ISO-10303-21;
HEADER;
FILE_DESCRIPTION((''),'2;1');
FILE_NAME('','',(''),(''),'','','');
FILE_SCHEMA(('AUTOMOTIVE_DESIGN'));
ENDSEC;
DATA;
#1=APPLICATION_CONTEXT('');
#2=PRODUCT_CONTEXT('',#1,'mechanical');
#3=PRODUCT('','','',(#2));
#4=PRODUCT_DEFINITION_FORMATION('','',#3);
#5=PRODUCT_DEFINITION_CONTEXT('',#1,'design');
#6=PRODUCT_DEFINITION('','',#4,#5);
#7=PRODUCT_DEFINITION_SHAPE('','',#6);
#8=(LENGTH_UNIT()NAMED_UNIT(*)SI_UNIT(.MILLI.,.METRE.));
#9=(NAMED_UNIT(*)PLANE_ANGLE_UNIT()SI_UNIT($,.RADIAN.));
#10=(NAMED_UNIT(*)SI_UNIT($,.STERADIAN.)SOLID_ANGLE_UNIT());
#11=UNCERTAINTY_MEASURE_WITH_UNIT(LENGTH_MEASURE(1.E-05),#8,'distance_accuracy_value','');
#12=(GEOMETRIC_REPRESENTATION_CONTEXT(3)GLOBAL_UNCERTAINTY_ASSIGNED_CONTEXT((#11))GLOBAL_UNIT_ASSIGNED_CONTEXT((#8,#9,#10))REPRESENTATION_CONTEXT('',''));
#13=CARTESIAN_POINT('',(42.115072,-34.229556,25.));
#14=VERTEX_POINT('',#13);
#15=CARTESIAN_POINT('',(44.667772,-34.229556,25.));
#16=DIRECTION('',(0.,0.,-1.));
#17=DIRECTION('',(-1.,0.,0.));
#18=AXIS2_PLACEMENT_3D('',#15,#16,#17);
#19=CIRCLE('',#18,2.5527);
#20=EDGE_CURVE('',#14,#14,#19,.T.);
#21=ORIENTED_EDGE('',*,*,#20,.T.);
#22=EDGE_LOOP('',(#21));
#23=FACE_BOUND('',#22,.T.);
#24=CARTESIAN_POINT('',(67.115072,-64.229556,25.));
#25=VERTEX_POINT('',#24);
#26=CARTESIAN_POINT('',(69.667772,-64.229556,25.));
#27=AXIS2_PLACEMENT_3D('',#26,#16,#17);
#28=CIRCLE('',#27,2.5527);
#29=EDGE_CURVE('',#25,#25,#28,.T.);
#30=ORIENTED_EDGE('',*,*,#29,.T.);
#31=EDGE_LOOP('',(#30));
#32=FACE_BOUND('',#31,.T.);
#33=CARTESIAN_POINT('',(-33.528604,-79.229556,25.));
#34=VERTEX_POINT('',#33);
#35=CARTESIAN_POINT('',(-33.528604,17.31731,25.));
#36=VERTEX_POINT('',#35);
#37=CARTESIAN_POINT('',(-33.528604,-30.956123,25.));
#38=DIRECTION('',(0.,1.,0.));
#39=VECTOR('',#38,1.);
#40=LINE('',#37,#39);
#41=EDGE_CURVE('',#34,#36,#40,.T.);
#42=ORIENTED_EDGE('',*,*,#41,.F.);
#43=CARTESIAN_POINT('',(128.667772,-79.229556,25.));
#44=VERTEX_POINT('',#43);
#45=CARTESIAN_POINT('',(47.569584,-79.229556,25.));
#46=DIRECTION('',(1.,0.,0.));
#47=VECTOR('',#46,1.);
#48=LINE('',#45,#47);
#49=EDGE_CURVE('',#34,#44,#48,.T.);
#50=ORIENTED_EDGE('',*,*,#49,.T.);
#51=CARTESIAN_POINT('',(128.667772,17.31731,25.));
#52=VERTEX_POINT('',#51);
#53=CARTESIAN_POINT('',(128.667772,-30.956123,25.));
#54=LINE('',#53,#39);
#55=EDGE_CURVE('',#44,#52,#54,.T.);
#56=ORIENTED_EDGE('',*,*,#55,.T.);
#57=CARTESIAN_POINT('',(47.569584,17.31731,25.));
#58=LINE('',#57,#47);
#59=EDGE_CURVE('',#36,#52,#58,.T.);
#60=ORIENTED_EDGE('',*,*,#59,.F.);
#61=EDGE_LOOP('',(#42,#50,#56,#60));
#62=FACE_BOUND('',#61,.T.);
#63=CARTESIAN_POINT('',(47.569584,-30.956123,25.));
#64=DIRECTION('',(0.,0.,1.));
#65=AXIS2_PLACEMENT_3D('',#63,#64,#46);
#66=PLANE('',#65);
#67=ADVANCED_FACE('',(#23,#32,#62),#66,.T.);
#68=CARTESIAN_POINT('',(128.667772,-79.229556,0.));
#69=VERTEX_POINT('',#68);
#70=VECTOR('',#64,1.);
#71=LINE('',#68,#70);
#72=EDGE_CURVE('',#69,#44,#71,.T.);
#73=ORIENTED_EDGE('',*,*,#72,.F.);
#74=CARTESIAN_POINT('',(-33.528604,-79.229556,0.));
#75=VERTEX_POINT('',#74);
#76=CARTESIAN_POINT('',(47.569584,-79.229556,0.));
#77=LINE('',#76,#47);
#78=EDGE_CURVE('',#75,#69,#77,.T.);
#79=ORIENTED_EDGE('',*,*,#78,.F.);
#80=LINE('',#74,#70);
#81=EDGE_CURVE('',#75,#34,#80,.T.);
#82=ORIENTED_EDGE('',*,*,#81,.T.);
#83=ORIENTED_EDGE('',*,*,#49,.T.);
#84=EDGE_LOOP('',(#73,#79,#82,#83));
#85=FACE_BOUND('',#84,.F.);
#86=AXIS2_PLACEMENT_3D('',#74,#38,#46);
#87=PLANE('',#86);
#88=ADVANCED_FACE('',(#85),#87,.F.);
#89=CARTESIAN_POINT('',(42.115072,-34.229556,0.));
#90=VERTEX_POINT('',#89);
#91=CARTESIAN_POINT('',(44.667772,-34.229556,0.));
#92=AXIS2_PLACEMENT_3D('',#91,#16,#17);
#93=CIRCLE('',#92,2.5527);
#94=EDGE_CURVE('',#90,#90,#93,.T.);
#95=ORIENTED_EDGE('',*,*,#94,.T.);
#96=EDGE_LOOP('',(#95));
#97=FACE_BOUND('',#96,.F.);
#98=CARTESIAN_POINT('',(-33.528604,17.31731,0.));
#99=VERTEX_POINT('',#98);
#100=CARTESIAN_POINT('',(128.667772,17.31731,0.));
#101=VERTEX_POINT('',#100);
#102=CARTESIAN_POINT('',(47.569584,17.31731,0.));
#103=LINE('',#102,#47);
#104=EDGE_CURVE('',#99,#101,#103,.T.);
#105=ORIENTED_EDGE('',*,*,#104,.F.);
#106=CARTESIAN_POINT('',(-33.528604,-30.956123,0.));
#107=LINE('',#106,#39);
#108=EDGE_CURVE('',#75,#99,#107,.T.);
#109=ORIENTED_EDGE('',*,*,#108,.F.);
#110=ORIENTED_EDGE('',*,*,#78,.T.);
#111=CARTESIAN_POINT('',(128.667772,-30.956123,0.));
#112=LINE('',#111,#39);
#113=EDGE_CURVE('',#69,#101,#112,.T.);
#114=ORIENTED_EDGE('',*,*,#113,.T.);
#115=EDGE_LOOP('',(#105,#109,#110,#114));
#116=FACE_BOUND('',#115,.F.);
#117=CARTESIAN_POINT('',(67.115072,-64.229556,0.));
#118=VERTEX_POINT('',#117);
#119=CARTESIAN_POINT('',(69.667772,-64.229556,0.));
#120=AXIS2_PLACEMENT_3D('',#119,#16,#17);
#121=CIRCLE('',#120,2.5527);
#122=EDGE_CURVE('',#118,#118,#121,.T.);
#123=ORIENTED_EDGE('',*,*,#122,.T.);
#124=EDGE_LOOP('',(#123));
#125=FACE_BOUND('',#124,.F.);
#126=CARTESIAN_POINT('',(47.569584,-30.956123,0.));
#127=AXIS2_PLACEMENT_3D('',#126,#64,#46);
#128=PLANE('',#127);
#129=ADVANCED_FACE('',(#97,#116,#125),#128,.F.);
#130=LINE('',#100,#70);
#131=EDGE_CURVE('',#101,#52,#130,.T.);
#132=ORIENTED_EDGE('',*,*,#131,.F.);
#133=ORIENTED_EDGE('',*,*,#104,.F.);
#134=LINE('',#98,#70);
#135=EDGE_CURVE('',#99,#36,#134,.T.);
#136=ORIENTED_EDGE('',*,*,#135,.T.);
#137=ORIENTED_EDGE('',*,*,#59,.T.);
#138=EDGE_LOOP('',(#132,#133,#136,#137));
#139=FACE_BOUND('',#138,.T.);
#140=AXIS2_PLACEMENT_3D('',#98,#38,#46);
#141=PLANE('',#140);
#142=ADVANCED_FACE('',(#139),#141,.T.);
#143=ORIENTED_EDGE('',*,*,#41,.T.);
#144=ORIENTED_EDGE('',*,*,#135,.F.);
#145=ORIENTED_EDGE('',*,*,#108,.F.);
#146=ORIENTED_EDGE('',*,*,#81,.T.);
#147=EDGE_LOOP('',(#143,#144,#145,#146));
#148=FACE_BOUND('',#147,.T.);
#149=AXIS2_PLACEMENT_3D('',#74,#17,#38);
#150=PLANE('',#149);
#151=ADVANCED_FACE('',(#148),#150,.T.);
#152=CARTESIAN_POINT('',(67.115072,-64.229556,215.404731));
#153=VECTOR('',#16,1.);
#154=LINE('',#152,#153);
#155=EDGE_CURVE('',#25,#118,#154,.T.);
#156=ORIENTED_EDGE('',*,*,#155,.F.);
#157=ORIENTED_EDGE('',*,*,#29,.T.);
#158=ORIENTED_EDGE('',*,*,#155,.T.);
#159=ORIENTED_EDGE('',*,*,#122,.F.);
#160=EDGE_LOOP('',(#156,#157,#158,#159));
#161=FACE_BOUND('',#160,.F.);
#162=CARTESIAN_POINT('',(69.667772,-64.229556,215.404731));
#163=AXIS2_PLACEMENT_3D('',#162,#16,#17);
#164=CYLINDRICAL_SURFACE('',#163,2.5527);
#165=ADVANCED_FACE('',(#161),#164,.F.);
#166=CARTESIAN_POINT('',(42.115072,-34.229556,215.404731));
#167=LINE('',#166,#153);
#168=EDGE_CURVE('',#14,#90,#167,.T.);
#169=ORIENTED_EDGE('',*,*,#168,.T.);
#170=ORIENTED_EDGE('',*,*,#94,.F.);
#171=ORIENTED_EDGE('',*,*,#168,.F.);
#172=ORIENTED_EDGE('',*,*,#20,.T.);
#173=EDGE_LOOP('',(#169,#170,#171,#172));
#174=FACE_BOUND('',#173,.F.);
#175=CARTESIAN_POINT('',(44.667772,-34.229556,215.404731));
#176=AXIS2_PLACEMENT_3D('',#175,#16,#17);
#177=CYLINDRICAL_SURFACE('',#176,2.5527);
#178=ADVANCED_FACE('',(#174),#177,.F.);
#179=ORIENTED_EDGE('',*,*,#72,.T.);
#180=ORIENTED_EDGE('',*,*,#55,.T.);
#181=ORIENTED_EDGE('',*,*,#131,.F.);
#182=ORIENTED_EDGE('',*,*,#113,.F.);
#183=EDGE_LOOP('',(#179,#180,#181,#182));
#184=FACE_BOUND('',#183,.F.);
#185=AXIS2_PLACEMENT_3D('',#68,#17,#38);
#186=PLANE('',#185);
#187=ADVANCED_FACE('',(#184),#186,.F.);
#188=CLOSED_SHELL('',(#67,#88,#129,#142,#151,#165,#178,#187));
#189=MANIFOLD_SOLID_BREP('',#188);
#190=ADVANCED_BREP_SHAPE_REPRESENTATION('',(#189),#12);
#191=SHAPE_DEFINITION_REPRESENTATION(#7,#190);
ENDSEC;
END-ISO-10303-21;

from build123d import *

# Parameters (mm, degrees)
F0_W     = 162.1963754296
F0_H     = 96.5468659997
F1_DEPTH = 25
F3_D     = 5.1054


with BuildPart() as f1:
    # F0 (on Top) → F1 (new body)
    with BuildSketch(Plane.XY):
        with Locations((47.5695841014, -30.9561230242)):
            Rectangle(F0_W, F0_H)
    extrude(amount=F1_DEPTH)

    # F3 (through all)
    with Locations(Plane.XY.offset(25)):
        with Locations((44.6677718163, -34.2295560241), (69.6677718163, -64.2295560241)):
            Hole(F3_D / 2)


solid = f1.part
